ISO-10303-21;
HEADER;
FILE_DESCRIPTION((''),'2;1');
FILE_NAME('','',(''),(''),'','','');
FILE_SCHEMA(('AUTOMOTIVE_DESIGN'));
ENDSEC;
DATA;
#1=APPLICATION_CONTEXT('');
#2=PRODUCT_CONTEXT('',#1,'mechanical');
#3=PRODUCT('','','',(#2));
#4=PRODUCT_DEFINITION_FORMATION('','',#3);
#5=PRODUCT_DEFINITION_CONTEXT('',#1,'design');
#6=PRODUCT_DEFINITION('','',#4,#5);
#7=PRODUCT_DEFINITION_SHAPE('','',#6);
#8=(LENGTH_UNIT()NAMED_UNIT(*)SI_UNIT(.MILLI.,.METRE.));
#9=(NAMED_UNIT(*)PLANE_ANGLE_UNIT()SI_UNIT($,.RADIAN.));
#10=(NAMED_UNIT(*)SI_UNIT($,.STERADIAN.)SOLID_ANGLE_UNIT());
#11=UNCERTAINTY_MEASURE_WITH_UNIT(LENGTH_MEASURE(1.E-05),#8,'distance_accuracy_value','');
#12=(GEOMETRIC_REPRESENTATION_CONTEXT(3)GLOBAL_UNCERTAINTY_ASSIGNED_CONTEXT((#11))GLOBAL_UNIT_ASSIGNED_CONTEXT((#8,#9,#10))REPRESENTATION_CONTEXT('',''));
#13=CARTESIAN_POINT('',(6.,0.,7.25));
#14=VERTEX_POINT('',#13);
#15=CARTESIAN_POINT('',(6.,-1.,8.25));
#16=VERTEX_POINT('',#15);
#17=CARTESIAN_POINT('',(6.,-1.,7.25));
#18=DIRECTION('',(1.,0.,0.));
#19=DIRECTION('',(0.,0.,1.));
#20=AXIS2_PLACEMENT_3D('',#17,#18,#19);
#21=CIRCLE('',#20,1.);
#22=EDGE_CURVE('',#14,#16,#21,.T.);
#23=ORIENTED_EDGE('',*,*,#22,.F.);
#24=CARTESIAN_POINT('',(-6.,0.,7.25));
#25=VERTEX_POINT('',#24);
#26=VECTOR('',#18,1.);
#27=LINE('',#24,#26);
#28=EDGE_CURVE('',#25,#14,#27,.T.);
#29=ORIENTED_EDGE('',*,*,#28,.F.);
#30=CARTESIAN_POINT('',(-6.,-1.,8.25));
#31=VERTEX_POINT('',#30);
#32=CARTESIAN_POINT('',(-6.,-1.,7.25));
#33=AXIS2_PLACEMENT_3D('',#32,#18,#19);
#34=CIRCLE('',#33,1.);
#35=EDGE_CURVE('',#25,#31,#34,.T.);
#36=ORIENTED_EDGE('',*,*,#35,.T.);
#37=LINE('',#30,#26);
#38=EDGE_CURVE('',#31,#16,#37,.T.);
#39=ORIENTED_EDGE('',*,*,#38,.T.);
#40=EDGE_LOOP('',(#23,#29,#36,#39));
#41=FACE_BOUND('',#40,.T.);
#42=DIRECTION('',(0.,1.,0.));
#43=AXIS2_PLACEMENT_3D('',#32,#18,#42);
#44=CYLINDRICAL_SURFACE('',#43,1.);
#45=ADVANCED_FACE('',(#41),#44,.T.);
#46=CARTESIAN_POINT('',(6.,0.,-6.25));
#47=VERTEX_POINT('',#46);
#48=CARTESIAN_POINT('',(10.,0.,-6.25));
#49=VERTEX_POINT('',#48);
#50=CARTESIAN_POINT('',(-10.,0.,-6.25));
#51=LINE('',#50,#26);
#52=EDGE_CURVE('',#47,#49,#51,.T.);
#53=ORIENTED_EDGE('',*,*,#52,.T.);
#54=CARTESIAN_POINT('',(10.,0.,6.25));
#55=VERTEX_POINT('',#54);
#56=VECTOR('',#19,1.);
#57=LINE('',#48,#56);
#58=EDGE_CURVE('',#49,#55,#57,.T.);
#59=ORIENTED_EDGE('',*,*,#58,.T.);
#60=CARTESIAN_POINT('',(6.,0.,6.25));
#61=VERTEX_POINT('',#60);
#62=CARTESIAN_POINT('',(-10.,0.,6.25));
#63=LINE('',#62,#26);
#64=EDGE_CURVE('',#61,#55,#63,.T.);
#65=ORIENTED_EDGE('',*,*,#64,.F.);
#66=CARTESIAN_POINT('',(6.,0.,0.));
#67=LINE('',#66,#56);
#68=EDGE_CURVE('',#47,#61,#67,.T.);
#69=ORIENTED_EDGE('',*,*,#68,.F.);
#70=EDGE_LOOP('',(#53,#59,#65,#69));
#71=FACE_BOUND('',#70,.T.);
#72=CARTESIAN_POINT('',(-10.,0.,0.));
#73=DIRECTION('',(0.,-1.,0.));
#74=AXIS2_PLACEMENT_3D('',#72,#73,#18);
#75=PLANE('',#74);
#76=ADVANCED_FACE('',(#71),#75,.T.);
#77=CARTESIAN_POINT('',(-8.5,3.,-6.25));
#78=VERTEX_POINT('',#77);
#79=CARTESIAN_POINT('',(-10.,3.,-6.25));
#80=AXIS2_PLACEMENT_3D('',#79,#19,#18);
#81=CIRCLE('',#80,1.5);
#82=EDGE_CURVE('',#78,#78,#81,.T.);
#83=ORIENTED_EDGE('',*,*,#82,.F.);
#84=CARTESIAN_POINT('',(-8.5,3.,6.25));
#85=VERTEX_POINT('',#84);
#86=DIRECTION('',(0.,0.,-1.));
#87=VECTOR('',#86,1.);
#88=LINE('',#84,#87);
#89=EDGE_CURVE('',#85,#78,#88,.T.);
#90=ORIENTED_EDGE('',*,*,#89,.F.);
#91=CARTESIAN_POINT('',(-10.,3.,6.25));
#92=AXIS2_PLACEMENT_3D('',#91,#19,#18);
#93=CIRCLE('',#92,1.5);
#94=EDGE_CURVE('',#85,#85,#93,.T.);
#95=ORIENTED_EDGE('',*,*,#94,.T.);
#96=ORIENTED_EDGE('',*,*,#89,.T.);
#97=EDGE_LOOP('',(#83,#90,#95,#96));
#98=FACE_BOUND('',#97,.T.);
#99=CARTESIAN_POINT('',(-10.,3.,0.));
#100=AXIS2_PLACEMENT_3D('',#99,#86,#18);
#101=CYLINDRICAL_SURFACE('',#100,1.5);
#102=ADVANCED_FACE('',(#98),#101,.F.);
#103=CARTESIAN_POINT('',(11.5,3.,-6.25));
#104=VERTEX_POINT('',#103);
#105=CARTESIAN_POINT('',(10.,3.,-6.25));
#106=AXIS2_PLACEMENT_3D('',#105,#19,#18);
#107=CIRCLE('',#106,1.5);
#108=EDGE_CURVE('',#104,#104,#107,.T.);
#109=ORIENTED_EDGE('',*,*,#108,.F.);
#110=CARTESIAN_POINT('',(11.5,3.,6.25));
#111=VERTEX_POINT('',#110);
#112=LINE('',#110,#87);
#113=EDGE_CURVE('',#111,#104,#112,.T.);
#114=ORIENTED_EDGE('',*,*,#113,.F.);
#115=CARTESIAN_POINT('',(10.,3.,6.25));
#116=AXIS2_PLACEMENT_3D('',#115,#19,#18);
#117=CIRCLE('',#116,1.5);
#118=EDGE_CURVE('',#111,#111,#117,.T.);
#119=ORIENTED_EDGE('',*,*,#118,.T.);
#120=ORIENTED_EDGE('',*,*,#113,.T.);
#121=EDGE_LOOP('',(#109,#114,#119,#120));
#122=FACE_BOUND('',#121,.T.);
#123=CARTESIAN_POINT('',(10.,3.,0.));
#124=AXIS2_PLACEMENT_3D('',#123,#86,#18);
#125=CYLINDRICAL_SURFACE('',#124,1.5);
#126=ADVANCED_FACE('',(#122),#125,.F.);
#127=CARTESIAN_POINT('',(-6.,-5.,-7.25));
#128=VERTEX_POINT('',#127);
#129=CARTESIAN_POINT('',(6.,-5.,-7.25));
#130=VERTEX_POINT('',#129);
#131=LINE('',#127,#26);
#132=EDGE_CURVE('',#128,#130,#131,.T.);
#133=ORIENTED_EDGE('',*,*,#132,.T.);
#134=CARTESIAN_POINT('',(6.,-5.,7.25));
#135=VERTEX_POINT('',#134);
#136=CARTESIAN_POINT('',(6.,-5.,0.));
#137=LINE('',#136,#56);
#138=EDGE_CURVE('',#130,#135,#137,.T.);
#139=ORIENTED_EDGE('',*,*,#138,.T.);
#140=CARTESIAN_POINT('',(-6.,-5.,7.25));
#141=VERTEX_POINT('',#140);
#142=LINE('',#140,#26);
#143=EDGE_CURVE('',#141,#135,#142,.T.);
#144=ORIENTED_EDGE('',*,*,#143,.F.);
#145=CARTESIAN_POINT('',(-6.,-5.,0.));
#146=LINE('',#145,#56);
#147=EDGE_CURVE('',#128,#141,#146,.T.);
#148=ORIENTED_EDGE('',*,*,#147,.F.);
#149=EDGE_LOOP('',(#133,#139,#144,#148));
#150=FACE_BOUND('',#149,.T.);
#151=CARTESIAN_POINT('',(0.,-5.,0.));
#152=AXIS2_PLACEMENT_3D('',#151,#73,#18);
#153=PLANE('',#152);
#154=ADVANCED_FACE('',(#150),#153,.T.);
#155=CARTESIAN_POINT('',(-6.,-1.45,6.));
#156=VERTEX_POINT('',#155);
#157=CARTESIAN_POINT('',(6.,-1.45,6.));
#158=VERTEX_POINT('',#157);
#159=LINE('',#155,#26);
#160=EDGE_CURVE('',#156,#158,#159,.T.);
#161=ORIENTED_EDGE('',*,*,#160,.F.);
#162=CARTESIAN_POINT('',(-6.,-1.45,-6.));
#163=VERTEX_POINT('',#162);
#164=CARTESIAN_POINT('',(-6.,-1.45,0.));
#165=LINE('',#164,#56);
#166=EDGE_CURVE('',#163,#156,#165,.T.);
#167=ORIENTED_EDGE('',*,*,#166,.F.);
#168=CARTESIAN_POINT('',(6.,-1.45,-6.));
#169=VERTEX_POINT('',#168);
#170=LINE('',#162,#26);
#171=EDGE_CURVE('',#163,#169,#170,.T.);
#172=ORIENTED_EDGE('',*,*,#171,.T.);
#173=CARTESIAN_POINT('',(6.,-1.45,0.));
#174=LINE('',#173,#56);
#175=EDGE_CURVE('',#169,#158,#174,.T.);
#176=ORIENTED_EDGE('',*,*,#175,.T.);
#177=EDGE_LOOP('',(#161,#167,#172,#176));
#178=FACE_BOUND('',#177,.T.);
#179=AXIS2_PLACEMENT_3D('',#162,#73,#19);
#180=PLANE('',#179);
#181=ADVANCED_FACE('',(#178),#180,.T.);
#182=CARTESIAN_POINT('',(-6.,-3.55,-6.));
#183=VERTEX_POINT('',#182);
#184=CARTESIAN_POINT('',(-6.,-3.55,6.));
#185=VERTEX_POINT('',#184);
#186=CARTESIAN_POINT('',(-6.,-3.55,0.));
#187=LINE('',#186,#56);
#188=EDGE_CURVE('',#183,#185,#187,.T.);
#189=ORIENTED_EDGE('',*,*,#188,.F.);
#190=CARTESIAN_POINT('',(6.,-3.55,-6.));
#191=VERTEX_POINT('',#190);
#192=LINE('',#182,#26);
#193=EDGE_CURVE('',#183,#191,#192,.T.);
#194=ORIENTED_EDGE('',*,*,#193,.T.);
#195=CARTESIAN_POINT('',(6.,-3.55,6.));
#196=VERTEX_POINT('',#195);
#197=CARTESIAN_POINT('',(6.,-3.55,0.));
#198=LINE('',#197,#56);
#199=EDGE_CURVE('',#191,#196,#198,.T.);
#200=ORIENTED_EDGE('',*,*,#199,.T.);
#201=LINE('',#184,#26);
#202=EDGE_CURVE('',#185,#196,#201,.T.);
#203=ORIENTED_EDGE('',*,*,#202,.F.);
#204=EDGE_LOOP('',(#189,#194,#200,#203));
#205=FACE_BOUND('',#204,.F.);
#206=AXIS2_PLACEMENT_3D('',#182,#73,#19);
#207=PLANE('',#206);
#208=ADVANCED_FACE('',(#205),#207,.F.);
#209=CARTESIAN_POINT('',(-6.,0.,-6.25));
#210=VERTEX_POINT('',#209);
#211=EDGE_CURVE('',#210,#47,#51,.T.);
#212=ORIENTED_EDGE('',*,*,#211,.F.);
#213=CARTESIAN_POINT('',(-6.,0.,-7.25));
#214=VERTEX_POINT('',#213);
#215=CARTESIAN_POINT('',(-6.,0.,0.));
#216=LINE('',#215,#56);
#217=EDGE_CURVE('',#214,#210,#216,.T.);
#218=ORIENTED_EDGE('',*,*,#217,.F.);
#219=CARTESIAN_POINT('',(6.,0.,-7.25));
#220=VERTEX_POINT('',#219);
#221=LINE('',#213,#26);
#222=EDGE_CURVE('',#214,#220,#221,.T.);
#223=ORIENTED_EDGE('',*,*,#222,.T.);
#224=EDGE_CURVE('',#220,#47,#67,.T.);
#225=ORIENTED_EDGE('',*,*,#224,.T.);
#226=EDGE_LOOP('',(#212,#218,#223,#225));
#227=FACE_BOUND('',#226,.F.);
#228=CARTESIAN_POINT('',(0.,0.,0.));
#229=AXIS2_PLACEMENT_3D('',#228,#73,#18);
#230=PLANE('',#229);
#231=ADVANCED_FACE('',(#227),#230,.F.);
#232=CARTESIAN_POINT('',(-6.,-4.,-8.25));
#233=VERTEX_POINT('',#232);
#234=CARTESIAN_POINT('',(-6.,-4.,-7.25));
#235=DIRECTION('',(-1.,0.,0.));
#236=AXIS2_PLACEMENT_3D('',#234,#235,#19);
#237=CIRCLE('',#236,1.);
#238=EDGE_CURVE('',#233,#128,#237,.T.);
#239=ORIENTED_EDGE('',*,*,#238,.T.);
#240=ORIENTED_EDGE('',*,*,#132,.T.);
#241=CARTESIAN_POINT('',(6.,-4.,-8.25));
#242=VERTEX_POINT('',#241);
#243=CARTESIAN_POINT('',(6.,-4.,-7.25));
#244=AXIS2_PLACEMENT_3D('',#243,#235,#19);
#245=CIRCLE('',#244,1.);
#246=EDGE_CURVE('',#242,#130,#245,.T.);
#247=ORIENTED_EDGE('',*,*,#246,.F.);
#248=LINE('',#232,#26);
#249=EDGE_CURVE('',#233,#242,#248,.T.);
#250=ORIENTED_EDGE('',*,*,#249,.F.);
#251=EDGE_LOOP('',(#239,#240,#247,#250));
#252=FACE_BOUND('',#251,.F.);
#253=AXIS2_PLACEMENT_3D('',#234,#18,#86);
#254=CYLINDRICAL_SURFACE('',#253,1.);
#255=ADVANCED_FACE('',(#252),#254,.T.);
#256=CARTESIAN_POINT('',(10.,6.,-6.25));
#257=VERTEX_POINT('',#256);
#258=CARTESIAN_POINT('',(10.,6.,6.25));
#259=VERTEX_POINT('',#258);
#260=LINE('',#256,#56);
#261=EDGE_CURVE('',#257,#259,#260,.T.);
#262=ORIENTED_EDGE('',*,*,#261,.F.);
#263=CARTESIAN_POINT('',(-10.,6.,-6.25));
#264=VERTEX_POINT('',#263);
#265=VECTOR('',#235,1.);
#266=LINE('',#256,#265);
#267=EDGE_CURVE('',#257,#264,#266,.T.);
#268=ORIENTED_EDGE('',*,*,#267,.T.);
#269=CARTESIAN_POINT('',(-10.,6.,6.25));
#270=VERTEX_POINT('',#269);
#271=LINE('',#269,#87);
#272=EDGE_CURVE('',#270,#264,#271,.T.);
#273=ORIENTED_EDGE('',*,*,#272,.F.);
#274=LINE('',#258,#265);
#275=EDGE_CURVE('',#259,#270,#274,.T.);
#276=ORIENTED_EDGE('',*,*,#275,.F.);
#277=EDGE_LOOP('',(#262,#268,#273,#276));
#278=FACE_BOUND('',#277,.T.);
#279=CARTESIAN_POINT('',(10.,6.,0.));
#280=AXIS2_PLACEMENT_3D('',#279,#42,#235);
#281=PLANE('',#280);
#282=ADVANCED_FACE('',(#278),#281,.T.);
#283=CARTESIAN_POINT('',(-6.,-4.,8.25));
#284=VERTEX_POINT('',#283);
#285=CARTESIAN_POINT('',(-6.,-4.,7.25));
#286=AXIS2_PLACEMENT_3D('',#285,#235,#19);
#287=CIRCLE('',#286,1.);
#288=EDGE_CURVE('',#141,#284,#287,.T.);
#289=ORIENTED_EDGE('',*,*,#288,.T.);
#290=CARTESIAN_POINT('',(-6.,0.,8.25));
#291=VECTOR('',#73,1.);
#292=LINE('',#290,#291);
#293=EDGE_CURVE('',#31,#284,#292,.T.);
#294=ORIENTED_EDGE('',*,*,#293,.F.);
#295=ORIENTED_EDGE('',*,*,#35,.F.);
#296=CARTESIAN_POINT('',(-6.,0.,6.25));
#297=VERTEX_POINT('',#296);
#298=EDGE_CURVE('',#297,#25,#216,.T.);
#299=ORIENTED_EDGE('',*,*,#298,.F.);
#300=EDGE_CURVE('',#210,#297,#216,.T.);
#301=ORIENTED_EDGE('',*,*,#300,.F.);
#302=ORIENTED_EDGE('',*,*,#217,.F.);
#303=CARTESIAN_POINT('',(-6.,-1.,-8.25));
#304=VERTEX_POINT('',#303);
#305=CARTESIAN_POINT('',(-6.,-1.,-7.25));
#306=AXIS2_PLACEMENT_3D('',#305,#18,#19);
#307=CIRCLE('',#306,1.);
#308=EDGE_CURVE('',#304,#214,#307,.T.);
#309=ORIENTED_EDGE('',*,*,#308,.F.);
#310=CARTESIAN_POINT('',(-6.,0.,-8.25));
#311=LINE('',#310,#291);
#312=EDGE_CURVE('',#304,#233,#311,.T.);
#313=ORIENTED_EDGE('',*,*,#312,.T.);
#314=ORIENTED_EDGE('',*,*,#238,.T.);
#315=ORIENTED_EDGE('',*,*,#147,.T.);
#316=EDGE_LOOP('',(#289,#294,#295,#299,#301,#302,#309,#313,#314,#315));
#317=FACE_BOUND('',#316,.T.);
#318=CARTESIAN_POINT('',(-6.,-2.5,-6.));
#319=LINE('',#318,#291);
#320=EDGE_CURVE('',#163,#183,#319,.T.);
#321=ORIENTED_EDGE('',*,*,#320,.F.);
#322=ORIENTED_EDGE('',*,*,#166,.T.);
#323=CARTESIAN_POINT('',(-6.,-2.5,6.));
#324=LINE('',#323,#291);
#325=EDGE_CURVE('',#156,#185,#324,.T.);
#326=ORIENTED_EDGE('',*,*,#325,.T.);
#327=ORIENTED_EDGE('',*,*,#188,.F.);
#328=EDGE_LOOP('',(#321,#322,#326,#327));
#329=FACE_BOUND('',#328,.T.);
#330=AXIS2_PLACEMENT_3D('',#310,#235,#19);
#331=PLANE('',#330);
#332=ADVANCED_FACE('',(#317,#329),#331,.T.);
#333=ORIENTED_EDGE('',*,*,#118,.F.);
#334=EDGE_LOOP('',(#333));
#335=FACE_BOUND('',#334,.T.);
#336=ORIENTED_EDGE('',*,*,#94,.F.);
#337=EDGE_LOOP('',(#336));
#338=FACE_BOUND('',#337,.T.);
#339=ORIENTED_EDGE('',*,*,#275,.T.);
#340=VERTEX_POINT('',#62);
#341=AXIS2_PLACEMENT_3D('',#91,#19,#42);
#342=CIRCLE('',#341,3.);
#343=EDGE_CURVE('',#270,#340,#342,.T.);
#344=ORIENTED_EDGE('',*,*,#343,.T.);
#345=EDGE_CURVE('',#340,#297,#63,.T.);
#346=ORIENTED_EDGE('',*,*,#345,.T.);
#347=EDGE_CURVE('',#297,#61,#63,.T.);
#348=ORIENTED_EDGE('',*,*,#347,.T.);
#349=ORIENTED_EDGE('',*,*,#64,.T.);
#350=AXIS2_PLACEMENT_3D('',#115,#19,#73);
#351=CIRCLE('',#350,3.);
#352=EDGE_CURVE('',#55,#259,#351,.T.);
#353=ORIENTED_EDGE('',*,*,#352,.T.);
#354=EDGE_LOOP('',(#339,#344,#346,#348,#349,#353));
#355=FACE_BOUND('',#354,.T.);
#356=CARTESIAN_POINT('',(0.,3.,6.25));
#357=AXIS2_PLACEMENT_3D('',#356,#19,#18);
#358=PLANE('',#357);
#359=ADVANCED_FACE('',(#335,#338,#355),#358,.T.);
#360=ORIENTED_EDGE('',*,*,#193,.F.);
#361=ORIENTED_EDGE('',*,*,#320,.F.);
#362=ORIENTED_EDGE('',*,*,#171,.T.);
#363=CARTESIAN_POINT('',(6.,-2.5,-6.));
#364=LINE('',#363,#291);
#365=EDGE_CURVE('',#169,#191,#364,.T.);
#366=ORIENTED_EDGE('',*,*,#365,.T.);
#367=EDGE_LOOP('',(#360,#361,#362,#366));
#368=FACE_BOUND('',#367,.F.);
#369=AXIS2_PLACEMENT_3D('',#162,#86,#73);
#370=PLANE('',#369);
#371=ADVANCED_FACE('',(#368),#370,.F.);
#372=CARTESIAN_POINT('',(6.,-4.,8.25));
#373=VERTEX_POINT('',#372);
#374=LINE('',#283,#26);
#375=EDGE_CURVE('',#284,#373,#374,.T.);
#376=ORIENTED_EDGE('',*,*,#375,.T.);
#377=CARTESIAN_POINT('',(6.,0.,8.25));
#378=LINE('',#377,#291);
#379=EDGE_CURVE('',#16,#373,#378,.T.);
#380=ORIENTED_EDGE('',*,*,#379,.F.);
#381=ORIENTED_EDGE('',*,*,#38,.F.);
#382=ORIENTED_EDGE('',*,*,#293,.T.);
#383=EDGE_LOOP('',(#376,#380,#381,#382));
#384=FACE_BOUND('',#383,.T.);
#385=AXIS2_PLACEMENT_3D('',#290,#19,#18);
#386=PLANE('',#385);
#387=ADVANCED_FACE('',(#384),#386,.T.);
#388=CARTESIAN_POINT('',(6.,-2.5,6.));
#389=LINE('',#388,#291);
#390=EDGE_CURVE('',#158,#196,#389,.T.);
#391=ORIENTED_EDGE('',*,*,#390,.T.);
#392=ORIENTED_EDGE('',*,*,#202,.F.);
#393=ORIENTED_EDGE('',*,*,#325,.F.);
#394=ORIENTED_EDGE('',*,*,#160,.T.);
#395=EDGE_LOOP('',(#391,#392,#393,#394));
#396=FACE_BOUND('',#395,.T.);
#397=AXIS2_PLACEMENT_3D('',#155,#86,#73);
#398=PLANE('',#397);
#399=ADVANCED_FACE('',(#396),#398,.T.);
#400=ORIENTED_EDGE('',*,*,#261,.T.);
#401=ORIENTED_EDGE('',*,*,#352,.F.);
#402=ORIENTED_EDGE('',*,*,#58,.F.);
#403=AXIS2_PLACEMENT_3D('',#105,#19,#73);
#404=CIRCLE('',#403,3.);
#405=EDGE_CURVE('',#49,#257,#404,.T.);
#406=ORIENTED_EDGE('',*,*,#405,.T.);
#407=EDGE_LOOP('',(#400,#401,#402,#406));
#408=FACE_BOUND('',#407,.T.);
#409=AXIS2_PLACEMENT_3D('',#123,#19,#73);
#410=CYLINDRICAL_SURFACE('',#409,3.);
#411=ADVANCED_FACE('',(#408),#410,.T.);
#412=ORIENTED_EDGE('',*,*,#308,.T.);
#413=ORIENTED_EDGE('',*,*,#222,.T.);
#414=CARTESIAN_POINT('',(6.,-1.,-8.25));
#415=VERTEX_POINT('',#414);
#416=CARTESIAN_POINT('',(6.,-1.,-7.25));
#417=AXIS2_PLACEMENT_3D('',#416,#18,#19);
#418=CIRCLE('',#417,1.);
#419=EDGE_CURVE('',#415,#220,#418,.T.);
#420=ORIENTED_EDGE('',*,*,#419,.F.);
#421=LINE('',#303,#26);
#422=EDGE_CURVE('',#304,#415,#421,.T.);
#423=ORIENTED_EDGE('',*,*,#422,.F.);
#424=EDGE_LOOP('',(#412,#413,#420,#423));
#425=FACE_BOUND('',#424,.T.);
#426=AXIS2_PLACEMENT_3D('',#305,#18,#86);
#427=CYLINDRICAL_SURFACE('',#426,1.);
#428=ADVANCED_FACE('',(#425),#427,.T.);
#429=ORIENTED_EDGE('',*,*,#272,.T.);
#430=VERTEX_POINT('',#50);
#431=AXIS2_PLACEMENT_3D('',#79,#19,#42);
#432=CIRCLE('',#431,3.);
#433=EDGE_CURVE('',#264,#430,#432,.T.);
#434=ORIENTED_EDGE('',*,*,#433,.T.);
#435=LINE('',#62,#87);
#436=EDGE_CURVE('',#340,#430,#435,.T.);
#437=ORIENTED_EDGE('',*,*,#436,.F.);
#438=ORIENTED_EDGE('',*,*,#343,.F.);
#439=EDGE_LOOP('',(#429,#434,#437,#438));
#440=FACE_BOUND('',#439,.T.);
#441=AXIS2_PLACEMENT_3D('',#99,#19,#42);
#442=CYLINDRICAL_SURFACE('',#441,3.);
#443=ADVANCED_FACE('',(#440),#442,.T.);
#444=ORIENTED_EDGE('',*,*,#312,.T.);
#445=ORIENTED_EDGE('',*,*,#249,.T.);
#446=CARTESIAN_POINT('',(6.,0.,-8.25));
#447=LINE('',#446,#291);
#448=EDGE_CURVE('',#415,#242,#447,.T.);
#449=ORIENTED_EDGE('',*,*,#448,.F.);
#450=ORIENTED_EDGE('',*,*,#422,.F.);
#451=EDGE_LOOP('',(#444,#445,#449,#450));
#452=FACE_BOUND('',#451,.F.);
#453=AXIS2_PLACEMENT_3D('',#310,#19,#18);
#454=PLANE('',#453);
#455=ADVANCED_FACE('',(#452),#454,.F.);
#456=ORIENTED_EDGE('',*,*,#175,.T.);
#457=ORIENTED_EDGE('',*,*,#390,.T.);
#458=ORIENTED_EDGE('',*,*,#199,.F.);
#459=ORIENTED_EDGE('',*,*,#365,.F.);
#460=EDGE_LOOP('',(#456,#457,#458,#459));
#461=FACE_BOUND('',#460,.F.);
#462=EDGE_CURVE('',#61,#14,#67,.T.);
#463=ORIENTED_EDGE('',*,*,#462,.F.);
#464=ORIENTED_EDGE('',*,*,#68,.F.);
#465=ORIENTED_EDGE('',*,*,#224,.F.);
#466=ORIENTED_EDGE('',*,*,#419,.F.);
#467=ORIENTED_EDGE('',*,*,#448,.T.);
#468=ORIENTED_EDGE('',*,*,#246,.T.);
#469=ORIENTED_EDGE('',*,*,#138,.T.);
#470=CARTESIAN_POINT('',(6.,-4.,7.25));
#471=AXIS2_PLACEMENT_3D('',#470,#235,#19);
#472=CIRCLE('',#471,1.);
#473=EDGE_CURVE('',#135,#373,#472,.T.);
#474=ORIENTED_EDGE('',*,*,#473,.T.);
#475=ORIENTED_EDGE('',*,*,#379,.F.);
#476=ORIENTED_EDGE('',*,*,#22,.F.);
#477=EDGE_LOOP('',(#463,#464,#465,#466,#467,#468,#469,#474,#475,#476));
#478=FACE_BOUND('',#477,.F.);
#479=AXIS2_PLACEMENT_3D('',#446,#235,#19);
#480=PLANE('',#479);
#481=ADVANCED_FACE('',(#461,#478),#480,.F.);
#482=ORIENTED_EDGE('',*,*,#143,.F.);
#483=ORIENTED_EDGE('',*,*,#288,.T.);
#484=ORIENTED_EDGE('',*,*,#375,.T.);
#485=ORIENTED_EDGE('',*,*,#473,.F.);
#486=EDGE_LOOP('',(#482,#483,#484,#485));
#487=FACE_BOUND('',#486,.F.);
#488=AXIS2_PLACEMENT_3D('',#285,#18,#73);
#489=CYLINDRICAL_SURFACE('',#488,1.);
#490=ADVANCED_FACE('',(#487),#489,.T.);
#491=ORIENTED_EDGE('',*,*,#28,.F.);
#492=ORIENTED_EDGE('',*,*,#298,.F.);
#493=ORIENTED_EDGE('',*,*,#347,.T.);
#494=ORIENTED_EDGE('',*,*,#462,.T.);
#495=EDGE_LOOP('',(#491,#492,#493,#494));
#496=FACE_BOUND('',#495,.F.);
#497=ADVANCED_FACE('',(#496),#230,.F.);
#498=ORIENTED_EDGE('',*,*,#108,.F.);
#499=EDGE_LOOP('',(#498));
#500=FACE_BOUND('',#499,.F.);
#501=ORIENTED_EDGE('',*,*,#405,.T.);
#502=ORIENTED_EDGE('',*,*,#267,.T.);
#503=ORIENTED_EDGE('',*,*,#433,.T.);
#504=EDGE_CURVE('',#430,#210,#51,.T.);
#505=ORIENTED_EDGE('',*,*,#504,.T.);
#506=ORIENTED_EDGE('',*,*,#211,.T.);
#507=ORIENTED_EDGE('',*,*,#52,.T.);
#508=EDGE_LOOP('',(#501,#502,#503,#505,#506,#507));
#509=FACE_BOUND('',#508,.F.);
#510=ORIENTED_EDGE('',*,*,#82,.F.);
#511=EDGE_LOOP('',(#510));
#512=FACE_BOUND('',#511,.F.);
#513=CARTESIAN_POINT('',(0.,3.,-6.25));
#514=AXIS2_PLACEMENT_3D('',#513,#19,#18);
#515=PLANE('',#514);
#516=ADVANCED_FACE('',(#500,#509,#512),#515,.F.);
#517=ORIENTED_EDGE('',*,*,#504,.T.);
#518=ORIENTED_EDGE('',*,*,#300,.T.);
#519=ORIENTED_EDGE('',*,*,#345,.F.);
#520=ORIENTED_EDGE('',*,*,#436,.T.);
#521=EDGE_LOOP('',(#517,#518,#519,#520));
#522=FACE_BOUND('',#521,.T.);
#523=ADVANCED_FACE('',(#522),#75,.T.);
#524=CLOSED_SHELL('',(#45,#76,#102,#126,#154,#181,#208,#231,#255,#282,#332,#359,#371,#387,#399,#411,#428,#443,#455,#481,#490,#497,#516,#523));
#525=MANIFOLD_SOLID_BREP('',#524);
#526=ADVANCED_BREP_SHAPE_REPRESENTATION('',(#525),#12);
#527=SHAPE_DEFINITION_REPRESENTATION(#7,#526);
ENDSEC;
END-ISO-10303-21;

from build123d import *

# Parameters (mm, degrees)
F0_W     = 12
F0_H     = 16.5
F1_DEPTH = 5
F2_R     = 1.5
F3_DEPTH = 6.25
F4_W     = 2.1
F4_H     = 12
F5_DEPTH = 12
F6_R     = 1


with BuildPart() as f1:
    # F0 (on Front) → F1 (new body)
    with BuildSketch(Plane.XZ):
        Rectangle(F0_W, F0_H)
    extrude(amount=F1_DEPTH)

    # F2 (on Top) → F3 (join, symmetric)
    with BuildSketch(Plane.XY):
        with BuildLine():
            Line((-10, 0), (10, 0))
            ThreePointArc((10, 0), (13, 3), (10, 6))
            Line((10, 6), (-10, 6))
            ThreePointArc((-10, 6), (-13, 3), (-10, 0))
        make_face()
        with Locations((-10, 3)):
            Circle(F2_R, mode=Mode.SUBTRACT)
        with Locations((10, 3)):
            Circle(F2_R, mode=Mode.SUBTRACT)
    extrude(amount=F3_DEPTH, both=True)

    # F4 (on face) → F5 (cut, through all)
    with BuildSketch(Plane(origin=(-6, 0, 0), x_dir=(0, -1, 0), z_dir=(-1, 0, 0))):
        with Locations((2.5, 0)):
            Rectangle(F4_W, F4_H)
    extrude(amount=-F5_DEPTH, mode=Mode.SUBTRACT)

    # F6
    f6_edges = [f1.edges().sort_by_distance(p)[0] for p in [
        (0, -5, 8.25),
        (0, 0, 8.25),
        (0, 0, -8.25),
        (0, -5, -8.25),
    ]]
    fillet(f6_edges, radius=F6_R)


solid = f1.part
